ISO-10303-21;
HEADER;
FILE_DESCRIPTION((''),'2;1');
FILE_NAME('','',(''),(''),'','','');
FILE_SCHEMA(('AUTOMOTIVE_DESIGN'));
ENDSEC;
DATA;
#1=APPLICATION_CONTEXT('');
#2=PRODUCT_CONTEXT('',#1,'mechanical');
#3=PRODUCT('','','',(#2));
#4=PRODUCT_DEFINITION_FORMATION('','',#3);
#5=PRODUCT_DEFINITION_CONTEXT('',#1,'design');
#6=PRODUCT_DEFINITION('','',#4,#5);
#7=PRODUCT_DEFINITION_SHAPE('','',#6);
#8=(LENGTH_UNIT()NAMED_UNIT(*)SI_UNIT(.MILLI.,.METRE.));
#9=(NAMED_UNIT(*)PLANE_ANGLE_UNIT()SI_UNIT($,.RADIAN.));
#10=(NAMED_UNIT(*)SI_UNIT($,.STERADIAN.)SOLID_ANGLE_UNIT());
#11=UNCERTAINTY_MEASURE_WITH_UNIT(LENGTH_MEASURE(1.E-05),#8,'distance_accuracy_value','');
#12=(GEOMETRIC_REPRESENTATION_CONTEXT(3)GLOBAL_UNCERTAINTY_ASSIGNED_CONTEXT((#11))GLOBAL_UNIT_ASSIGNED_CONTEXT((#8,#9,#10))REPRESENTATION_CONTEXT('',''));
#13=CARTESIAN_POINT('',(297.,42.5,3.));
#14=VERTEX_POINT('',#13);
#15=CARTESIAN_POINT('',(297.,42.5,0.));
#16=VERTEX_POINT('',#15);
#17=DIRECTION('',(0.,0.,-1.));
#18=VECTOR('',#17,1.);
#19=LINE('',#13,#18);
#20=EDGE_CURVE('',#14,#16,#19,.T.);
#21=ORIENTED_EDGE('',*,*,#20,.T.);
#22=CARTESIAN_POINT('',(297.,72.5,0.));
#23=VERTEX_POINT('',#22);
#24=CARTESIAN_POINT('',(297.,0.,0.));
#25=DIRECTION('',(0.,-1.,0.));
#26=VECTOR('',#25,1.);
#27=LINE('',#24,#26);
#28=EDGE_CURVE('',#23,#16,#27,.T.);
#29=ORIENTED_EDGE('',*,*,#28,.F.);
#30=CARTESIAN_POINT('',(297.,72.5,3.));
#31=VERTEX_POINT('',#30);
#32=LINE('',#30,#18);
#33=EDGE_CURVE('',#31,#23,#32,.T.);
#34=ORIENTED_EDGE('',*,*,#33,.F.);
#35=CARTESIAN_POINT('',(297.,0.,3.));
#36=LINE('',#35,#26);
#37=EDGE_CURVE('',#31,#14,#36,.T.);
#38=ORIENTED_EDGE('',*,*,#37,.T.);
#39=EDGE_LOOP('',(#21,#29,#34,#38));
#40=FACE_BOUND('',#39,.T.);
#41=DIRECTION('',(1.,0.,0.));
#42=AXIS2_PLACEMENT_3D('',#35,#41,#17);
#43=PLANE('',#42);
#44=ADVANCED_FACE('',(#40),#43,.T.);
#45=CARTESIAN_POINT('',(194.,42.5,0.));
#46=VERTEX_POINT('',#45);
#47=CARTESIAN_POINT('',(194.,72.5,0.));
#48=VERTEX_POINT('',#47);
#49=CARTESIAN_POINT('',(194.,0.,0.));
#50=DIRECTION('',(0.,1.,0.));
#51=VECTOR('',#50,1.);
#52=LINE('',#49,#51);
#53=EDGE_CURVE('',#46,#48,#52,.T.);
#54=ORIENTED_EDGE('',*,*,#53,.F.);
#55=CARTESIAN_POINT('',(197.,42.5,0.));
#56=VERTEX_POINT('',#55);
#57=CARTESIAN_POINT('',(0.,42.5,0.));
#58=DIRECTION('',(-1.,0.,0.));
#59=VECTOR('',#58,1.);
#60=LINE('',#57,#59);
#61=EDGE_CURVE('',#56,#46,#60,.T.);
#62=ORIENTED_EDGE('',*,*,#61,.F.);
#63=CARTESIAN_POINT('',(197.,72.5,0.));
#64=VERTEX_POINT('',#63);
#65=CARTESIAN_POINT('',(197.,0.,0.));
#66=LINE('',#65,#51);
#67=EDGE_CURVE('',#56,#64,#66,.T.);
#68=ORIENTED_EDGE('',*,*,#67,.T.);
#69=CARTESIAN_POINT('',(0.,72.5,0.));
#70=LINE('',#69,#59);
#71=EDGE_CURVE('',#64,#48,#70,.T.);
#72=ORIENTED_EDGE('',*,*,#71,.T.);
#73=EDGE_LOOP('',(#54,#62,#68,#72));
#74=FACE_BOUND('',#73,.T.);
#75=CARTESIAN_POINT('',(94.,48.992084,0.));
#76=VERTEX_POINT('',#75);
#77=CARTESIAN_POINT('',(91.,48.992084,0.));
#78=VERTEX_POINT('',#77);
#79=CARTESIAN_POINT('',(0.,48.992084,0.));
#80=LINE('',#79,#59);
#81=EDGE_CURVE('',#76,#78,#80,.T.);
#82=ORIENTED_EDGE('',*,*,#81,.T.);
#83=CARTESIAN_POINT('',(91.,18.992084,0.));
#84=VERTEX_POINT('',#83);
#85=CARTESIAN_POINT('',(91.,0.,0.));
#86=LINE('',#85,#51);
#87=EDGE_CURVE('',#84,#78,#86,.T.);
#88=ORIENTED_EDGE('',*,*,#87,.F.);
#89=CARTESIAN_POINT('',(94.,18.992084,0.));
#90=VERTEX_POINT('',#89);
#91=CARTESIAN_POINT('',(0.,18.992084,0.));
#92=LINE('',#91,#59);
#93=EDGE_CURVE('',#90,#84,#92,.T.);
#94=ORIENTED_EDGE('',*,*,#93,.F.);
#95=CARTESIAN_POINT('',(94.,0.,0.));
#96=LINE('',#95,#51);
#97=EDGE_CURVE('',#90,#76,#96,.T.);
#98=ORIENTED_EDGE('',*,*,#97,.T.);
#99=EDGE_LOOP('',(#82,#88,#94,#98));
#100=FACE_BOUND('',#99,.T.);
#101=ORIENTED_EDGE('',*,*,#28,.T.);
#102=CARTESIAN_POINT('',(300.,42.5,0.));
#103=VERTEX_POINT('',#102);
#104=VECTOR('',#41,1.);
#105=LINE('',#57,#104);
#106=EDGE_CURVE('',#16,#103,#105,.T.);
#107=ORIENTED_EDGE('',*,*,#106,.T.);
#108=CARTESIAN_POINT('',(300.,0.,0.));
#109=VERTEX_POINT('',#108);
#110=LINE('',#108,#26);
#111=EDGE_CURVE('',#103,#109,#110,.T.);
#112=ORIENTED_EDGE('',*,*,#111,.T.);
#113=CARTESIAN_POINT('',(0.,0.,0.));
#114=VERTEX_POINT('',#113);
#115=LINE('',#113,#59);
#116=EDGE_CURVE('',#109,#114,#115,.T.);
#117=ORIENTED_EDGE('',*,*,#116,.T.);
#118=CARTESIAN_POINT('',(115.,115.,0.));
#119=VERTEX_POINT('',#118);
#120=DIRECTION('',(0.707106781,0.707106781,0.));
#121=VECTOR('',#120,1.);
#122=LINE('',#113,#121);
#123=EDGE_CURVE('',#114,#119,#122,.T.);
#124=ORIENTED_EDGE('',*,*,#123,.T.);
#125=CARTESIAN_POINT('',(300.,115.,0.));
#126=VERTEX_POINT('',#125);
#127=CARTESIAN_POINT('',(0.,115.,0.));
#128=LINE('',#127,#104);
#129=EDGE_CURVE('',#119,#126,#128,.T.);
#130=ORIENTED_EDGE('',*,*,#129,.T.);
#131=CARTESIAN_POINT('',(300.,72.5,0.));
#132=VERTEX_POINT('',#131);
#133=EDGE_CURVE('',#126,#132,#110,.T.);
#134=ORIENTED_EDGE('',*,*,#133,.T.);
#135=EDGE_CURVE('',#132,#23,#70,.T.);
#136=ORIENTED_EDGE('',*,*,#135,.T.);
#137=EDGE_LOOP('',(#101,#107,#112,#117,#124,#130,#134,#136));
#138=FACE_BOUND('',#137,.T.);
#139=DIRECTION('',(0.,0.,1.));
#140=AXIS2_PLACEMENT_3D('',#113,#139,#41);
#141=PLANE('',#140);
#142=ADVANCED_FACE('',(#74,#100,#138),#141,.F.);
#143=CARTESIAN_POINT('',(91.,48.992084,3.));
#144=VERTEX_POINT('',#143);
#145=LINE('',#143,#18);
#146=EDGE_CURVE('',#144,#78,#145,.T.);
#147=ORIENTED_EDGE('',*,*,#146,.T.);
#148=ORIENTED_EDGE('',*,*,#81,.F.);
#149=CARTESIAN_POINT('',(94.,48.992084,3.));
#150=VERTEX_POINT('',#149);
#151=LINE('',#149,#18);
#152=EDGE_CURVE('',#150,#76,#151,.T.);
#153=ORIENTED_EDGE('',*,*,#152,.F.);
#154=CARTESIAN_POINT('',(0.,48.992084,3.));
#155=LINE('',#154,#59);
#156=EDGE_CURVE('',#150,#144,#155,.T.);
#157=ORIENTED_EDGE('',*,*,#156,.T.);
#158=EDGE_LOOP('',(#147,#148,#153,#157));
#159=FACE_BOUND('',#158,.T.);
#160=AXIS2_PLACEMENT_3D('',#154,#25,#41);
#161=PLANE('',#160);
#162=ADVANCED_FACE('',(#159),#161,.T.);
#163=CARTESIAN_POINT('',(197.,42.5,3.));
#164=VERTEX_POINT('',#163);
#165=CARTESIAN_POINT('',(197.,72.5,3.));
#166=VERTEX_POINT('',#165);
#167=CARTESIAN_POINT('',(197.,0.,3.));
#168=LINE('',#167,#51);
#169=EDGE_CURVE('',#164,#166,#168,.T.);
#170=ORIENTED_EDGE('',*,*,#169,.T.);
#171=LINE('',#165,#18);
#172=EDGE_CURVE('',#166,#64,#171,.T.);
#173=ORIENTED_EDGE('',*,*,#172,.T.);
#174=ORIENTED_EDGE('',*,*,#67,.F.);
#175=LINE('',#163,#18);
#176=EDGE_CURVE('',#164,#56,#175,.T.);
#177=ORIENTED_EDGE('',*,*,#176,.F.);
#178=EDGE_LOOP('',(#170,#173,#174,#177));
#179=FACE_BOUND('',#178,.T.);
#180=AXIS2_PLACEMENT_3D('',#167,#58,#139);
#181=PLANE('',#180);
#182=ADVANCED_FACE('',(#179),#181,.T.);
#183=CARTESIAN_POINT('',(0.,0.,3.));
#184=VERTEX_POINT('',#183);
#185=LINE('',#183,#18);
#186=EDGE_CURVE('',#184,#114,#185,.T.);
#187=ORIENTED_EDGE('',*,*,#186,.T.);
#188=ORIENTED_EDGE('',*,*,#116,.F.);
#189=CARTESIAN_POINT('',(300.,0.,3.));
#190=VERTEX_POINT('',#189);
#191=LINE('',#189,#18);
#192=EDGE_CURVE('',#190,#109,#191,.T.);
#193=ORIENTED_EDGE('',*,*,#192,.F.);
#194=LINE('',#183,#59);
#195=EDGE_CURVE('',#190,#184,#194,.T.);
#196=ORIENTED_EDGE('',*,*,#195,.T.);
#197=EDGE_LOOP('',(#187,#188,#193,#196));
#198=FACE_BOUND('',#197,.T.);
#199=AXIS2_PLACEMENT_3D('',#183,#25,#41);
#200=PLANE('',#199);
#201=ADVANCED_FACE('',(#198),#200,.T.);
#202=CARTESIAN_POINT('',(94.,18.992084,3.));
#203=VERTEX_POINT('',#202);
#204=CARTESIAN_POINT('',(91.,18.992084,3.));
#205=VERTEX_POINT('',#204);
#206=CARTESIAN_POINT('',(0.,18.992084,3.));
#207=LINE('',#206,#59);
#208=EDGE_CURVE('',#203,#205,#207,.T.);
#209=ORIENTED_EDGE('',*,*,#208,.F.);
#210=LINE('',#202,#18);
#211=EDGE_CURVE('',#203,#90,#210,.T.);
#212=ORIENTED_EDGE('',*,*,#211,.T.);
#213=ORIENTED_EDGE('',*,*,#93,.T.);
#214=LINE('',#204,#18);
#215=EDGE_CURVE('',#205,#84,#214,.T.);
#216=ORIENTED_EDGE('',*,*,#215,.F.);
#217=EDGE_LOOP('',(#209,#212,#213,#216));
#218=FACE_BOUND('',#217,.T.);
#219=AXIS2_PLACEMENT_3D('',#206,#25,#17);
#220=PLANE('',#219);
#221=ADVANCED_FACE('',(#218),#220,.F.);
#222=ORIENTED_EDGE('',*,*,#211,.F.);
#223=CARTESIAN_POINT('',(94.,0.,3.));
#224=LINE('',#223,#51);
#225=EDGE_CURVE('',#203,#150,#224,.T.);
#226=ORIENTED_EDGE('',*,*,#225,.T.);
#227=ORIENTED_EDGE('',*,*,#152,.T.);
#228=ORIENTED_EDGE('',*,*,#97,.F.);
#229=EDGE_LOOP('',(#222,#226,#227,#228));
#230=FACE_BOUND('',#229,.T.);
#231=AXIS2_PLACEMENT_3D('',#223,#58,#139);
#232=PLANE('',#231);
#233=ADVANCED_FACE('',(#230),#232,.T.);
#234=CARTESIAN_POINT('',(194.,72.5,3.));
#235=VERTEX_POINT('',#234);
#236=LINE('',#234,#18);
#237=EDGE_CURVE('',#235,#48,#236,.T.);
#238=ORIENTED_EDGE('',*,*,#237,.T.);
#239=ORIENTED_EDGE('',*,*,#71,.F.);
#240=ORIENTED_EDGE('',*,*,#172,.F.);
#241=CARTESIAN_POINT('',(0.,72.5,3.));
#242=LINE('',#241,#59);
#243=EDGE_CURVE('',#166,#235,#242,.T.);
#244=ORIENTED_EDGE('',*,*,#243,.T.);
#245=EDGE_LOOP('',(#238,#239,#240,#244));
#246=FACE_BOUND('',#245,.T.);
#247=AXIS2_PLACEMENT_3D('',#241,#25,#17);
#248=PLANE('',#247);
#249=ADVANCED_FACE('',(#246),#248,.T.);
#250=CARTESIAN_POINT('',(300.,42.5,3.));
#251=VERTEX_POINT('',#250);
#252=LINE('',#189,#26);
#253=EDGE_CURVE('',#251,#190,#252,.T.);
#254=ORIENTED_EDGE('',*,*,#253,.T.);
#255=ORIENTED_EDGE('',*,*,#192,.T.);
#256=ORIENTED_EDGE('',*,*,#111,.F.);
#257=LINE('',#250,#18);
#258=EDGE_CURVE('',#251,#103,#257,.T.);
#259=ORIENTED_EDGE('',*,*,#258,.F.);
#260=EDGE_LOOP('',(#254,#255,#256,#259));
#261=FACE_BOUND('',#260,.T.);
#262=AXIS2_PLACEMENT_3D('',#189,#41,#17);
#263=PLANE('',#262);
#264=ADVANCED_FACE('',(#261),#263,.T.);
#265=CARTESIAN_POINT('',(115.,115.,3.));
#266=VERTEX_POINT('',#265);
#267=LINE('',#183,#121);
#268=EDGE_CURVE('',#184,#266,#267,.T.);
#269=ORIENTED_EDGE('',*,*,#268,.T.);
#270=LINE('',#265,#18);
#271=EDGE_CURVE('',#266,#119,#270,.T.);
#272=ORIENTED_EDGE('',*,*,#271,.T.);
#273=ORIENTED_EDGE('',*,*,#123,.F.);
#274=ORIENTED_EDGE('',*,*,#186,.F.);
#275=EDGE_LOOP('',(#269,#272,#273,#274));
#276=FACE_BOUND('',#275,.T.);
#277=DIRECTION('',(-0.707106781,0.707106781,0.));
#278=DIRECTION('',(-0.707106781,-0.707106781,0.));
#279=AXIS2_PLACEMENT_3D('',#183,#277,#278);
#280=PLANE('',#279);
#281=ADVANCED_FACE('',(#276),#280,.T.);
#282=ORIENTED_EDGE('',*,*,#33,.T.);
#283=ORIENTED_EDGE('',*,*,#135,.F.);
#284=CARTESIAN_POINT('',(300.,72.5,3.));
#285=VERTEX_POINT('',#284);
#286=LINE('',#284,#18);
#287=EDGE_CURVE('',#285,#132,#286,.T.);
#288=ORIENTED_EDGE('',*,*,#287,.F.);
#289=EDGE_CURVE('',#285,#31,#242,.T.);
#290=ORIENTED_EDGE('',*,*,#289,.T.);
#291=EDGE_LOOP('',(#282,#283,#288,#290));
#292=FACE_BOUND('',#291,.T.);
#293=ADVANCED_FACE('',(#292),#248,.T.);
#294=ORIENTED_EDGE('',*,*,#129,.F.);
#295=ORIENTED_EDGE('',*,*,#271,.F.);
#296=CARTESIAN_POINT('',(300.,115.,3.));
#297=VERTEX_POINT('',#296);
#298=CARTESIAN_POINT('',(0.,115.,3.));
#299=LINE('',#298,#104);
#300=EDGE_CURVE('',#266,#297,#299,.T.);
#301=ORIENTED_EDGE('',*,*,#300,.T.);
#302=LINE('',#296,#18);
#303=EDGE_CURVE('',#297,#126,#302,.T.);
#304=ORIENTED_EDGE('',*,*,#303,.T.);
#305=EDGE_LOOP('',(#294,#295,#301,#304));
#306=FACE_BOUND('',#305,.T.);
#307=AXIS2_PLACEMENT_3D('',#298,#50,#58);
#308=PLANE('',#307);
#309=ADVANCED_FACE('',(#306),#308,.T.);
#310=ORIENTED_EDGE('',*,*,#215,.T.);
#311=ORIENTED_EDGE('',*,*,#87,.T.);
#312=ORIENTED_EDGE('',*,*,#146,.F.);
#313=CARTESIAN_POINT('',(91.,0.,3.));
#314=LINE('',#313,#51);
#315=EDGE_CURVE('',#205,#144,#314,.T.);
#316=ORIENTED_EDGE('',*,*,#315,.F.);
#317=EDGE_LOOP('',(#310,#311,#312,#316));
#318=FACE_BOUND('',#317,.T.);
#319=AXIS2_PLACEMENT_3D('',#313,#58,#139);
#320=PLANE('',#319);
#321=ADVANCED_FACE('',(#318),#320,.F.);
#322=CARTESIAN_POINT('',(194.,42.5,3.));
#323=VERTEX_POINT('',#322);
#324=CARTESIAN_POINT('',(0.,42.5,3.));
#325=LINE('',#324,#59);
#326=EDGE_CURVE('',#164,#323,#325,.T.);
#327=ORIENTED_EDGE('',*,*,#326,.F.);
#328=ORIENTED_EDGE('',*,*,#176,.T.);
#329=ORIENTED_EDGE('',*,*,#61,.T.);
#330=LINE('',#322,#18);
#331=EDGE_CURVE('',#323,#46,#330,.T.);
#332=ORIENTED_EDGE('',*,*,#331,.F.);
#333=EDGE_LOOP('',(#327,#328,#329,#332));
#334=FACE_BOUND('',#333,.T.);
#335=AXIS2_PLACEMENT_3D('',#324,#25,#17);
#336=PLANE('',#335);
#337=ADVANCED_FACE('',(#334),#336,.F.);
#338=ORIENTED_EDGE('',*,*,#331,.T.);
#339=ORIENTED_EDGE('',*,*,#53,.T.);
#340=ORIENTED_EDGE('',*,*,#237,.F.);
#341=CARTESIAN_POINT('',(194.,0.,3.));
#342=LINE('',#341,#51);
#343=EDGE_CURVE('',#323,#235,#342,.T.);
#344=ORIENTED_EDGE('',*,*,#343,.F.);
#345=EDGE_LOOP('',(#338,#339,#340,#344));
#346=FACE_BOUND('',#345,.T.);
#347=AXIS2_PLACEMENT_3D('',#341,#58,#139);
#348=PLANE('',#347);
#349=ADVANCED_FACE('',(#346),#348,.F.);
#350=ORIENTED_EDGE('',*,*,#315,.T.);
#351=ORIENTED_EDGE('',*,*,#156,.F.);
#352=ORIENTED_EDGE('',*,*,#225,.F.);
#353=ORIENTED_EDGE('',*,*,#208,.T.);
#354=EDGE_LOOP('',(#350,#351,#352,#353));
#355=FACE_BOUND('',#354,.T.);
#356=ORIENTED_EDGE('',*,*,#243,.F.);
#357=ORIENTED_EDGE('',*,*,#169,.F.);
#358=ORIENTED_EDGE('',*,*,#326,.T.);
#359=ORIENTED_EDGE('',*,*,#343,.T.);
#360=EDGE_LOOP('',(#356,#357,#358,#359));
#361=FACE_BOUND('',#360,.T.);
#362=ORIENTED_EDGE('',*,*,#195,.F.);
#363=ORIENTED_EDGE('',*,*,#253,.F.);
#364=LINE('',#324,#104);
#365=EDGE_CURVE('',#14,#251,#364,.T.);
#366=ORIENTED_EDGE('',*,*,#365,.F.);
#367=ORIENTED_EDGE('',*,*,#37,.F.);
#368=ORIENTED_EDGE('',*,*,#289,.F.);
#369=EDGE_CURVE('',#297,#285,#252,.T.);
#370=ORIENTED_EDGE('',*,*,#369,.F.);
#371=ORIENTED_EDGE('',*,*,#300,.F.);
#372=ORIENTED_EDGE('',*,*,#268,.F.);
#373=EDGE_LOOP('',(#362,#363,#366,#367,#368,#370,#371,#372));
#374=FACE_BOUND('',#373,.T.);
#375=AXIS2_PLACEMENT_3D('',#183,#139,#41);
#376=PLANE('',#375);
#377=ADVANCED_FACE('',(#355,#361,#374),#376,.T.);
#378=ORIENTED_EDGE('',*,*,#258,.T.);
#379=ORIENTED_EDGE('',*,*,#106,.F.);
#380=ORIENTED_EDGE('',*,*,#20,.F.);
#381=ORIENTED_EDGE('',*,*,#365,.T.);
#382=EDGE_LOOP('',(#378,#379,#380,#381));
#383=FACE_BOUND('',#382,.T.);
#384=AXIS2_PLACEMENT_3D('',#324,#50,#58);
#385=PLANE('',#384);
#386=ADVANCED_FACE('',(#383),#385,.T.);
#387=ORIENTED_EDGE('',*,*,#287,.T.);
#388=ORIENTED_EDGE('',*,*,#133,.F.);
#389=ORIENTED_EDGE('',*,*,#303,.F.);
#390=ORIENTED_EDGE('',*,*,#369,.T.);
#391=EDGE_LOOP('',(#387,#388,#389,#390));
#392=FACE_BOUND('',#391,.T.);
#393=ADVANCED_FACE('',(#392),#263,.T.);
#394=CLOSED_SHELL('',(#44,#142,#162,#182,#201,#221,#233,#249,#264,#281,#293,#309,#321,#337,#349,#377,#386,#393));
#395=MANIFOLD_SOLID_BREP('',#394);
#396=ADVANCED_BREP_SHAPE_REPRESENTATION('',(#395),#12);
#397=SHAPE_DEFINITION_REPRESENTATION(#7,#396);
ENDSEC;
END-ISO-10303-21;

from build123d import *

# Parameters (mm, degrees)
SKETCH1_W           = 3
SKETCH1_H           = 30
BOSS_EXTRUDE1_DEPTH = 3


with BuildPart() as part:
    # Sketch1 → Boss-Extrude1 (new body)
    with BuildSketch(Plane.XY):
        Polygon((300, 42.5), (300, 0), (0, 0), (115, 115), (300, 115), (300, 72.5), (297, 72.5), (297, 42.5), align=None)
        with Locations((195.5, 57.5)):
            Rectangle(SKETCH1_W, SKETCH1_H, mode=Mode.SUBTRACT)
        with Locations((92.5, 33.992083592)):
            Rectangle(SKETCH1_W, SKETCH1_H, mode=Mode.SUBTRACT)
    extrude(amount=BOSS_EXTRUDE1_DEPTH)


solid = part.part
